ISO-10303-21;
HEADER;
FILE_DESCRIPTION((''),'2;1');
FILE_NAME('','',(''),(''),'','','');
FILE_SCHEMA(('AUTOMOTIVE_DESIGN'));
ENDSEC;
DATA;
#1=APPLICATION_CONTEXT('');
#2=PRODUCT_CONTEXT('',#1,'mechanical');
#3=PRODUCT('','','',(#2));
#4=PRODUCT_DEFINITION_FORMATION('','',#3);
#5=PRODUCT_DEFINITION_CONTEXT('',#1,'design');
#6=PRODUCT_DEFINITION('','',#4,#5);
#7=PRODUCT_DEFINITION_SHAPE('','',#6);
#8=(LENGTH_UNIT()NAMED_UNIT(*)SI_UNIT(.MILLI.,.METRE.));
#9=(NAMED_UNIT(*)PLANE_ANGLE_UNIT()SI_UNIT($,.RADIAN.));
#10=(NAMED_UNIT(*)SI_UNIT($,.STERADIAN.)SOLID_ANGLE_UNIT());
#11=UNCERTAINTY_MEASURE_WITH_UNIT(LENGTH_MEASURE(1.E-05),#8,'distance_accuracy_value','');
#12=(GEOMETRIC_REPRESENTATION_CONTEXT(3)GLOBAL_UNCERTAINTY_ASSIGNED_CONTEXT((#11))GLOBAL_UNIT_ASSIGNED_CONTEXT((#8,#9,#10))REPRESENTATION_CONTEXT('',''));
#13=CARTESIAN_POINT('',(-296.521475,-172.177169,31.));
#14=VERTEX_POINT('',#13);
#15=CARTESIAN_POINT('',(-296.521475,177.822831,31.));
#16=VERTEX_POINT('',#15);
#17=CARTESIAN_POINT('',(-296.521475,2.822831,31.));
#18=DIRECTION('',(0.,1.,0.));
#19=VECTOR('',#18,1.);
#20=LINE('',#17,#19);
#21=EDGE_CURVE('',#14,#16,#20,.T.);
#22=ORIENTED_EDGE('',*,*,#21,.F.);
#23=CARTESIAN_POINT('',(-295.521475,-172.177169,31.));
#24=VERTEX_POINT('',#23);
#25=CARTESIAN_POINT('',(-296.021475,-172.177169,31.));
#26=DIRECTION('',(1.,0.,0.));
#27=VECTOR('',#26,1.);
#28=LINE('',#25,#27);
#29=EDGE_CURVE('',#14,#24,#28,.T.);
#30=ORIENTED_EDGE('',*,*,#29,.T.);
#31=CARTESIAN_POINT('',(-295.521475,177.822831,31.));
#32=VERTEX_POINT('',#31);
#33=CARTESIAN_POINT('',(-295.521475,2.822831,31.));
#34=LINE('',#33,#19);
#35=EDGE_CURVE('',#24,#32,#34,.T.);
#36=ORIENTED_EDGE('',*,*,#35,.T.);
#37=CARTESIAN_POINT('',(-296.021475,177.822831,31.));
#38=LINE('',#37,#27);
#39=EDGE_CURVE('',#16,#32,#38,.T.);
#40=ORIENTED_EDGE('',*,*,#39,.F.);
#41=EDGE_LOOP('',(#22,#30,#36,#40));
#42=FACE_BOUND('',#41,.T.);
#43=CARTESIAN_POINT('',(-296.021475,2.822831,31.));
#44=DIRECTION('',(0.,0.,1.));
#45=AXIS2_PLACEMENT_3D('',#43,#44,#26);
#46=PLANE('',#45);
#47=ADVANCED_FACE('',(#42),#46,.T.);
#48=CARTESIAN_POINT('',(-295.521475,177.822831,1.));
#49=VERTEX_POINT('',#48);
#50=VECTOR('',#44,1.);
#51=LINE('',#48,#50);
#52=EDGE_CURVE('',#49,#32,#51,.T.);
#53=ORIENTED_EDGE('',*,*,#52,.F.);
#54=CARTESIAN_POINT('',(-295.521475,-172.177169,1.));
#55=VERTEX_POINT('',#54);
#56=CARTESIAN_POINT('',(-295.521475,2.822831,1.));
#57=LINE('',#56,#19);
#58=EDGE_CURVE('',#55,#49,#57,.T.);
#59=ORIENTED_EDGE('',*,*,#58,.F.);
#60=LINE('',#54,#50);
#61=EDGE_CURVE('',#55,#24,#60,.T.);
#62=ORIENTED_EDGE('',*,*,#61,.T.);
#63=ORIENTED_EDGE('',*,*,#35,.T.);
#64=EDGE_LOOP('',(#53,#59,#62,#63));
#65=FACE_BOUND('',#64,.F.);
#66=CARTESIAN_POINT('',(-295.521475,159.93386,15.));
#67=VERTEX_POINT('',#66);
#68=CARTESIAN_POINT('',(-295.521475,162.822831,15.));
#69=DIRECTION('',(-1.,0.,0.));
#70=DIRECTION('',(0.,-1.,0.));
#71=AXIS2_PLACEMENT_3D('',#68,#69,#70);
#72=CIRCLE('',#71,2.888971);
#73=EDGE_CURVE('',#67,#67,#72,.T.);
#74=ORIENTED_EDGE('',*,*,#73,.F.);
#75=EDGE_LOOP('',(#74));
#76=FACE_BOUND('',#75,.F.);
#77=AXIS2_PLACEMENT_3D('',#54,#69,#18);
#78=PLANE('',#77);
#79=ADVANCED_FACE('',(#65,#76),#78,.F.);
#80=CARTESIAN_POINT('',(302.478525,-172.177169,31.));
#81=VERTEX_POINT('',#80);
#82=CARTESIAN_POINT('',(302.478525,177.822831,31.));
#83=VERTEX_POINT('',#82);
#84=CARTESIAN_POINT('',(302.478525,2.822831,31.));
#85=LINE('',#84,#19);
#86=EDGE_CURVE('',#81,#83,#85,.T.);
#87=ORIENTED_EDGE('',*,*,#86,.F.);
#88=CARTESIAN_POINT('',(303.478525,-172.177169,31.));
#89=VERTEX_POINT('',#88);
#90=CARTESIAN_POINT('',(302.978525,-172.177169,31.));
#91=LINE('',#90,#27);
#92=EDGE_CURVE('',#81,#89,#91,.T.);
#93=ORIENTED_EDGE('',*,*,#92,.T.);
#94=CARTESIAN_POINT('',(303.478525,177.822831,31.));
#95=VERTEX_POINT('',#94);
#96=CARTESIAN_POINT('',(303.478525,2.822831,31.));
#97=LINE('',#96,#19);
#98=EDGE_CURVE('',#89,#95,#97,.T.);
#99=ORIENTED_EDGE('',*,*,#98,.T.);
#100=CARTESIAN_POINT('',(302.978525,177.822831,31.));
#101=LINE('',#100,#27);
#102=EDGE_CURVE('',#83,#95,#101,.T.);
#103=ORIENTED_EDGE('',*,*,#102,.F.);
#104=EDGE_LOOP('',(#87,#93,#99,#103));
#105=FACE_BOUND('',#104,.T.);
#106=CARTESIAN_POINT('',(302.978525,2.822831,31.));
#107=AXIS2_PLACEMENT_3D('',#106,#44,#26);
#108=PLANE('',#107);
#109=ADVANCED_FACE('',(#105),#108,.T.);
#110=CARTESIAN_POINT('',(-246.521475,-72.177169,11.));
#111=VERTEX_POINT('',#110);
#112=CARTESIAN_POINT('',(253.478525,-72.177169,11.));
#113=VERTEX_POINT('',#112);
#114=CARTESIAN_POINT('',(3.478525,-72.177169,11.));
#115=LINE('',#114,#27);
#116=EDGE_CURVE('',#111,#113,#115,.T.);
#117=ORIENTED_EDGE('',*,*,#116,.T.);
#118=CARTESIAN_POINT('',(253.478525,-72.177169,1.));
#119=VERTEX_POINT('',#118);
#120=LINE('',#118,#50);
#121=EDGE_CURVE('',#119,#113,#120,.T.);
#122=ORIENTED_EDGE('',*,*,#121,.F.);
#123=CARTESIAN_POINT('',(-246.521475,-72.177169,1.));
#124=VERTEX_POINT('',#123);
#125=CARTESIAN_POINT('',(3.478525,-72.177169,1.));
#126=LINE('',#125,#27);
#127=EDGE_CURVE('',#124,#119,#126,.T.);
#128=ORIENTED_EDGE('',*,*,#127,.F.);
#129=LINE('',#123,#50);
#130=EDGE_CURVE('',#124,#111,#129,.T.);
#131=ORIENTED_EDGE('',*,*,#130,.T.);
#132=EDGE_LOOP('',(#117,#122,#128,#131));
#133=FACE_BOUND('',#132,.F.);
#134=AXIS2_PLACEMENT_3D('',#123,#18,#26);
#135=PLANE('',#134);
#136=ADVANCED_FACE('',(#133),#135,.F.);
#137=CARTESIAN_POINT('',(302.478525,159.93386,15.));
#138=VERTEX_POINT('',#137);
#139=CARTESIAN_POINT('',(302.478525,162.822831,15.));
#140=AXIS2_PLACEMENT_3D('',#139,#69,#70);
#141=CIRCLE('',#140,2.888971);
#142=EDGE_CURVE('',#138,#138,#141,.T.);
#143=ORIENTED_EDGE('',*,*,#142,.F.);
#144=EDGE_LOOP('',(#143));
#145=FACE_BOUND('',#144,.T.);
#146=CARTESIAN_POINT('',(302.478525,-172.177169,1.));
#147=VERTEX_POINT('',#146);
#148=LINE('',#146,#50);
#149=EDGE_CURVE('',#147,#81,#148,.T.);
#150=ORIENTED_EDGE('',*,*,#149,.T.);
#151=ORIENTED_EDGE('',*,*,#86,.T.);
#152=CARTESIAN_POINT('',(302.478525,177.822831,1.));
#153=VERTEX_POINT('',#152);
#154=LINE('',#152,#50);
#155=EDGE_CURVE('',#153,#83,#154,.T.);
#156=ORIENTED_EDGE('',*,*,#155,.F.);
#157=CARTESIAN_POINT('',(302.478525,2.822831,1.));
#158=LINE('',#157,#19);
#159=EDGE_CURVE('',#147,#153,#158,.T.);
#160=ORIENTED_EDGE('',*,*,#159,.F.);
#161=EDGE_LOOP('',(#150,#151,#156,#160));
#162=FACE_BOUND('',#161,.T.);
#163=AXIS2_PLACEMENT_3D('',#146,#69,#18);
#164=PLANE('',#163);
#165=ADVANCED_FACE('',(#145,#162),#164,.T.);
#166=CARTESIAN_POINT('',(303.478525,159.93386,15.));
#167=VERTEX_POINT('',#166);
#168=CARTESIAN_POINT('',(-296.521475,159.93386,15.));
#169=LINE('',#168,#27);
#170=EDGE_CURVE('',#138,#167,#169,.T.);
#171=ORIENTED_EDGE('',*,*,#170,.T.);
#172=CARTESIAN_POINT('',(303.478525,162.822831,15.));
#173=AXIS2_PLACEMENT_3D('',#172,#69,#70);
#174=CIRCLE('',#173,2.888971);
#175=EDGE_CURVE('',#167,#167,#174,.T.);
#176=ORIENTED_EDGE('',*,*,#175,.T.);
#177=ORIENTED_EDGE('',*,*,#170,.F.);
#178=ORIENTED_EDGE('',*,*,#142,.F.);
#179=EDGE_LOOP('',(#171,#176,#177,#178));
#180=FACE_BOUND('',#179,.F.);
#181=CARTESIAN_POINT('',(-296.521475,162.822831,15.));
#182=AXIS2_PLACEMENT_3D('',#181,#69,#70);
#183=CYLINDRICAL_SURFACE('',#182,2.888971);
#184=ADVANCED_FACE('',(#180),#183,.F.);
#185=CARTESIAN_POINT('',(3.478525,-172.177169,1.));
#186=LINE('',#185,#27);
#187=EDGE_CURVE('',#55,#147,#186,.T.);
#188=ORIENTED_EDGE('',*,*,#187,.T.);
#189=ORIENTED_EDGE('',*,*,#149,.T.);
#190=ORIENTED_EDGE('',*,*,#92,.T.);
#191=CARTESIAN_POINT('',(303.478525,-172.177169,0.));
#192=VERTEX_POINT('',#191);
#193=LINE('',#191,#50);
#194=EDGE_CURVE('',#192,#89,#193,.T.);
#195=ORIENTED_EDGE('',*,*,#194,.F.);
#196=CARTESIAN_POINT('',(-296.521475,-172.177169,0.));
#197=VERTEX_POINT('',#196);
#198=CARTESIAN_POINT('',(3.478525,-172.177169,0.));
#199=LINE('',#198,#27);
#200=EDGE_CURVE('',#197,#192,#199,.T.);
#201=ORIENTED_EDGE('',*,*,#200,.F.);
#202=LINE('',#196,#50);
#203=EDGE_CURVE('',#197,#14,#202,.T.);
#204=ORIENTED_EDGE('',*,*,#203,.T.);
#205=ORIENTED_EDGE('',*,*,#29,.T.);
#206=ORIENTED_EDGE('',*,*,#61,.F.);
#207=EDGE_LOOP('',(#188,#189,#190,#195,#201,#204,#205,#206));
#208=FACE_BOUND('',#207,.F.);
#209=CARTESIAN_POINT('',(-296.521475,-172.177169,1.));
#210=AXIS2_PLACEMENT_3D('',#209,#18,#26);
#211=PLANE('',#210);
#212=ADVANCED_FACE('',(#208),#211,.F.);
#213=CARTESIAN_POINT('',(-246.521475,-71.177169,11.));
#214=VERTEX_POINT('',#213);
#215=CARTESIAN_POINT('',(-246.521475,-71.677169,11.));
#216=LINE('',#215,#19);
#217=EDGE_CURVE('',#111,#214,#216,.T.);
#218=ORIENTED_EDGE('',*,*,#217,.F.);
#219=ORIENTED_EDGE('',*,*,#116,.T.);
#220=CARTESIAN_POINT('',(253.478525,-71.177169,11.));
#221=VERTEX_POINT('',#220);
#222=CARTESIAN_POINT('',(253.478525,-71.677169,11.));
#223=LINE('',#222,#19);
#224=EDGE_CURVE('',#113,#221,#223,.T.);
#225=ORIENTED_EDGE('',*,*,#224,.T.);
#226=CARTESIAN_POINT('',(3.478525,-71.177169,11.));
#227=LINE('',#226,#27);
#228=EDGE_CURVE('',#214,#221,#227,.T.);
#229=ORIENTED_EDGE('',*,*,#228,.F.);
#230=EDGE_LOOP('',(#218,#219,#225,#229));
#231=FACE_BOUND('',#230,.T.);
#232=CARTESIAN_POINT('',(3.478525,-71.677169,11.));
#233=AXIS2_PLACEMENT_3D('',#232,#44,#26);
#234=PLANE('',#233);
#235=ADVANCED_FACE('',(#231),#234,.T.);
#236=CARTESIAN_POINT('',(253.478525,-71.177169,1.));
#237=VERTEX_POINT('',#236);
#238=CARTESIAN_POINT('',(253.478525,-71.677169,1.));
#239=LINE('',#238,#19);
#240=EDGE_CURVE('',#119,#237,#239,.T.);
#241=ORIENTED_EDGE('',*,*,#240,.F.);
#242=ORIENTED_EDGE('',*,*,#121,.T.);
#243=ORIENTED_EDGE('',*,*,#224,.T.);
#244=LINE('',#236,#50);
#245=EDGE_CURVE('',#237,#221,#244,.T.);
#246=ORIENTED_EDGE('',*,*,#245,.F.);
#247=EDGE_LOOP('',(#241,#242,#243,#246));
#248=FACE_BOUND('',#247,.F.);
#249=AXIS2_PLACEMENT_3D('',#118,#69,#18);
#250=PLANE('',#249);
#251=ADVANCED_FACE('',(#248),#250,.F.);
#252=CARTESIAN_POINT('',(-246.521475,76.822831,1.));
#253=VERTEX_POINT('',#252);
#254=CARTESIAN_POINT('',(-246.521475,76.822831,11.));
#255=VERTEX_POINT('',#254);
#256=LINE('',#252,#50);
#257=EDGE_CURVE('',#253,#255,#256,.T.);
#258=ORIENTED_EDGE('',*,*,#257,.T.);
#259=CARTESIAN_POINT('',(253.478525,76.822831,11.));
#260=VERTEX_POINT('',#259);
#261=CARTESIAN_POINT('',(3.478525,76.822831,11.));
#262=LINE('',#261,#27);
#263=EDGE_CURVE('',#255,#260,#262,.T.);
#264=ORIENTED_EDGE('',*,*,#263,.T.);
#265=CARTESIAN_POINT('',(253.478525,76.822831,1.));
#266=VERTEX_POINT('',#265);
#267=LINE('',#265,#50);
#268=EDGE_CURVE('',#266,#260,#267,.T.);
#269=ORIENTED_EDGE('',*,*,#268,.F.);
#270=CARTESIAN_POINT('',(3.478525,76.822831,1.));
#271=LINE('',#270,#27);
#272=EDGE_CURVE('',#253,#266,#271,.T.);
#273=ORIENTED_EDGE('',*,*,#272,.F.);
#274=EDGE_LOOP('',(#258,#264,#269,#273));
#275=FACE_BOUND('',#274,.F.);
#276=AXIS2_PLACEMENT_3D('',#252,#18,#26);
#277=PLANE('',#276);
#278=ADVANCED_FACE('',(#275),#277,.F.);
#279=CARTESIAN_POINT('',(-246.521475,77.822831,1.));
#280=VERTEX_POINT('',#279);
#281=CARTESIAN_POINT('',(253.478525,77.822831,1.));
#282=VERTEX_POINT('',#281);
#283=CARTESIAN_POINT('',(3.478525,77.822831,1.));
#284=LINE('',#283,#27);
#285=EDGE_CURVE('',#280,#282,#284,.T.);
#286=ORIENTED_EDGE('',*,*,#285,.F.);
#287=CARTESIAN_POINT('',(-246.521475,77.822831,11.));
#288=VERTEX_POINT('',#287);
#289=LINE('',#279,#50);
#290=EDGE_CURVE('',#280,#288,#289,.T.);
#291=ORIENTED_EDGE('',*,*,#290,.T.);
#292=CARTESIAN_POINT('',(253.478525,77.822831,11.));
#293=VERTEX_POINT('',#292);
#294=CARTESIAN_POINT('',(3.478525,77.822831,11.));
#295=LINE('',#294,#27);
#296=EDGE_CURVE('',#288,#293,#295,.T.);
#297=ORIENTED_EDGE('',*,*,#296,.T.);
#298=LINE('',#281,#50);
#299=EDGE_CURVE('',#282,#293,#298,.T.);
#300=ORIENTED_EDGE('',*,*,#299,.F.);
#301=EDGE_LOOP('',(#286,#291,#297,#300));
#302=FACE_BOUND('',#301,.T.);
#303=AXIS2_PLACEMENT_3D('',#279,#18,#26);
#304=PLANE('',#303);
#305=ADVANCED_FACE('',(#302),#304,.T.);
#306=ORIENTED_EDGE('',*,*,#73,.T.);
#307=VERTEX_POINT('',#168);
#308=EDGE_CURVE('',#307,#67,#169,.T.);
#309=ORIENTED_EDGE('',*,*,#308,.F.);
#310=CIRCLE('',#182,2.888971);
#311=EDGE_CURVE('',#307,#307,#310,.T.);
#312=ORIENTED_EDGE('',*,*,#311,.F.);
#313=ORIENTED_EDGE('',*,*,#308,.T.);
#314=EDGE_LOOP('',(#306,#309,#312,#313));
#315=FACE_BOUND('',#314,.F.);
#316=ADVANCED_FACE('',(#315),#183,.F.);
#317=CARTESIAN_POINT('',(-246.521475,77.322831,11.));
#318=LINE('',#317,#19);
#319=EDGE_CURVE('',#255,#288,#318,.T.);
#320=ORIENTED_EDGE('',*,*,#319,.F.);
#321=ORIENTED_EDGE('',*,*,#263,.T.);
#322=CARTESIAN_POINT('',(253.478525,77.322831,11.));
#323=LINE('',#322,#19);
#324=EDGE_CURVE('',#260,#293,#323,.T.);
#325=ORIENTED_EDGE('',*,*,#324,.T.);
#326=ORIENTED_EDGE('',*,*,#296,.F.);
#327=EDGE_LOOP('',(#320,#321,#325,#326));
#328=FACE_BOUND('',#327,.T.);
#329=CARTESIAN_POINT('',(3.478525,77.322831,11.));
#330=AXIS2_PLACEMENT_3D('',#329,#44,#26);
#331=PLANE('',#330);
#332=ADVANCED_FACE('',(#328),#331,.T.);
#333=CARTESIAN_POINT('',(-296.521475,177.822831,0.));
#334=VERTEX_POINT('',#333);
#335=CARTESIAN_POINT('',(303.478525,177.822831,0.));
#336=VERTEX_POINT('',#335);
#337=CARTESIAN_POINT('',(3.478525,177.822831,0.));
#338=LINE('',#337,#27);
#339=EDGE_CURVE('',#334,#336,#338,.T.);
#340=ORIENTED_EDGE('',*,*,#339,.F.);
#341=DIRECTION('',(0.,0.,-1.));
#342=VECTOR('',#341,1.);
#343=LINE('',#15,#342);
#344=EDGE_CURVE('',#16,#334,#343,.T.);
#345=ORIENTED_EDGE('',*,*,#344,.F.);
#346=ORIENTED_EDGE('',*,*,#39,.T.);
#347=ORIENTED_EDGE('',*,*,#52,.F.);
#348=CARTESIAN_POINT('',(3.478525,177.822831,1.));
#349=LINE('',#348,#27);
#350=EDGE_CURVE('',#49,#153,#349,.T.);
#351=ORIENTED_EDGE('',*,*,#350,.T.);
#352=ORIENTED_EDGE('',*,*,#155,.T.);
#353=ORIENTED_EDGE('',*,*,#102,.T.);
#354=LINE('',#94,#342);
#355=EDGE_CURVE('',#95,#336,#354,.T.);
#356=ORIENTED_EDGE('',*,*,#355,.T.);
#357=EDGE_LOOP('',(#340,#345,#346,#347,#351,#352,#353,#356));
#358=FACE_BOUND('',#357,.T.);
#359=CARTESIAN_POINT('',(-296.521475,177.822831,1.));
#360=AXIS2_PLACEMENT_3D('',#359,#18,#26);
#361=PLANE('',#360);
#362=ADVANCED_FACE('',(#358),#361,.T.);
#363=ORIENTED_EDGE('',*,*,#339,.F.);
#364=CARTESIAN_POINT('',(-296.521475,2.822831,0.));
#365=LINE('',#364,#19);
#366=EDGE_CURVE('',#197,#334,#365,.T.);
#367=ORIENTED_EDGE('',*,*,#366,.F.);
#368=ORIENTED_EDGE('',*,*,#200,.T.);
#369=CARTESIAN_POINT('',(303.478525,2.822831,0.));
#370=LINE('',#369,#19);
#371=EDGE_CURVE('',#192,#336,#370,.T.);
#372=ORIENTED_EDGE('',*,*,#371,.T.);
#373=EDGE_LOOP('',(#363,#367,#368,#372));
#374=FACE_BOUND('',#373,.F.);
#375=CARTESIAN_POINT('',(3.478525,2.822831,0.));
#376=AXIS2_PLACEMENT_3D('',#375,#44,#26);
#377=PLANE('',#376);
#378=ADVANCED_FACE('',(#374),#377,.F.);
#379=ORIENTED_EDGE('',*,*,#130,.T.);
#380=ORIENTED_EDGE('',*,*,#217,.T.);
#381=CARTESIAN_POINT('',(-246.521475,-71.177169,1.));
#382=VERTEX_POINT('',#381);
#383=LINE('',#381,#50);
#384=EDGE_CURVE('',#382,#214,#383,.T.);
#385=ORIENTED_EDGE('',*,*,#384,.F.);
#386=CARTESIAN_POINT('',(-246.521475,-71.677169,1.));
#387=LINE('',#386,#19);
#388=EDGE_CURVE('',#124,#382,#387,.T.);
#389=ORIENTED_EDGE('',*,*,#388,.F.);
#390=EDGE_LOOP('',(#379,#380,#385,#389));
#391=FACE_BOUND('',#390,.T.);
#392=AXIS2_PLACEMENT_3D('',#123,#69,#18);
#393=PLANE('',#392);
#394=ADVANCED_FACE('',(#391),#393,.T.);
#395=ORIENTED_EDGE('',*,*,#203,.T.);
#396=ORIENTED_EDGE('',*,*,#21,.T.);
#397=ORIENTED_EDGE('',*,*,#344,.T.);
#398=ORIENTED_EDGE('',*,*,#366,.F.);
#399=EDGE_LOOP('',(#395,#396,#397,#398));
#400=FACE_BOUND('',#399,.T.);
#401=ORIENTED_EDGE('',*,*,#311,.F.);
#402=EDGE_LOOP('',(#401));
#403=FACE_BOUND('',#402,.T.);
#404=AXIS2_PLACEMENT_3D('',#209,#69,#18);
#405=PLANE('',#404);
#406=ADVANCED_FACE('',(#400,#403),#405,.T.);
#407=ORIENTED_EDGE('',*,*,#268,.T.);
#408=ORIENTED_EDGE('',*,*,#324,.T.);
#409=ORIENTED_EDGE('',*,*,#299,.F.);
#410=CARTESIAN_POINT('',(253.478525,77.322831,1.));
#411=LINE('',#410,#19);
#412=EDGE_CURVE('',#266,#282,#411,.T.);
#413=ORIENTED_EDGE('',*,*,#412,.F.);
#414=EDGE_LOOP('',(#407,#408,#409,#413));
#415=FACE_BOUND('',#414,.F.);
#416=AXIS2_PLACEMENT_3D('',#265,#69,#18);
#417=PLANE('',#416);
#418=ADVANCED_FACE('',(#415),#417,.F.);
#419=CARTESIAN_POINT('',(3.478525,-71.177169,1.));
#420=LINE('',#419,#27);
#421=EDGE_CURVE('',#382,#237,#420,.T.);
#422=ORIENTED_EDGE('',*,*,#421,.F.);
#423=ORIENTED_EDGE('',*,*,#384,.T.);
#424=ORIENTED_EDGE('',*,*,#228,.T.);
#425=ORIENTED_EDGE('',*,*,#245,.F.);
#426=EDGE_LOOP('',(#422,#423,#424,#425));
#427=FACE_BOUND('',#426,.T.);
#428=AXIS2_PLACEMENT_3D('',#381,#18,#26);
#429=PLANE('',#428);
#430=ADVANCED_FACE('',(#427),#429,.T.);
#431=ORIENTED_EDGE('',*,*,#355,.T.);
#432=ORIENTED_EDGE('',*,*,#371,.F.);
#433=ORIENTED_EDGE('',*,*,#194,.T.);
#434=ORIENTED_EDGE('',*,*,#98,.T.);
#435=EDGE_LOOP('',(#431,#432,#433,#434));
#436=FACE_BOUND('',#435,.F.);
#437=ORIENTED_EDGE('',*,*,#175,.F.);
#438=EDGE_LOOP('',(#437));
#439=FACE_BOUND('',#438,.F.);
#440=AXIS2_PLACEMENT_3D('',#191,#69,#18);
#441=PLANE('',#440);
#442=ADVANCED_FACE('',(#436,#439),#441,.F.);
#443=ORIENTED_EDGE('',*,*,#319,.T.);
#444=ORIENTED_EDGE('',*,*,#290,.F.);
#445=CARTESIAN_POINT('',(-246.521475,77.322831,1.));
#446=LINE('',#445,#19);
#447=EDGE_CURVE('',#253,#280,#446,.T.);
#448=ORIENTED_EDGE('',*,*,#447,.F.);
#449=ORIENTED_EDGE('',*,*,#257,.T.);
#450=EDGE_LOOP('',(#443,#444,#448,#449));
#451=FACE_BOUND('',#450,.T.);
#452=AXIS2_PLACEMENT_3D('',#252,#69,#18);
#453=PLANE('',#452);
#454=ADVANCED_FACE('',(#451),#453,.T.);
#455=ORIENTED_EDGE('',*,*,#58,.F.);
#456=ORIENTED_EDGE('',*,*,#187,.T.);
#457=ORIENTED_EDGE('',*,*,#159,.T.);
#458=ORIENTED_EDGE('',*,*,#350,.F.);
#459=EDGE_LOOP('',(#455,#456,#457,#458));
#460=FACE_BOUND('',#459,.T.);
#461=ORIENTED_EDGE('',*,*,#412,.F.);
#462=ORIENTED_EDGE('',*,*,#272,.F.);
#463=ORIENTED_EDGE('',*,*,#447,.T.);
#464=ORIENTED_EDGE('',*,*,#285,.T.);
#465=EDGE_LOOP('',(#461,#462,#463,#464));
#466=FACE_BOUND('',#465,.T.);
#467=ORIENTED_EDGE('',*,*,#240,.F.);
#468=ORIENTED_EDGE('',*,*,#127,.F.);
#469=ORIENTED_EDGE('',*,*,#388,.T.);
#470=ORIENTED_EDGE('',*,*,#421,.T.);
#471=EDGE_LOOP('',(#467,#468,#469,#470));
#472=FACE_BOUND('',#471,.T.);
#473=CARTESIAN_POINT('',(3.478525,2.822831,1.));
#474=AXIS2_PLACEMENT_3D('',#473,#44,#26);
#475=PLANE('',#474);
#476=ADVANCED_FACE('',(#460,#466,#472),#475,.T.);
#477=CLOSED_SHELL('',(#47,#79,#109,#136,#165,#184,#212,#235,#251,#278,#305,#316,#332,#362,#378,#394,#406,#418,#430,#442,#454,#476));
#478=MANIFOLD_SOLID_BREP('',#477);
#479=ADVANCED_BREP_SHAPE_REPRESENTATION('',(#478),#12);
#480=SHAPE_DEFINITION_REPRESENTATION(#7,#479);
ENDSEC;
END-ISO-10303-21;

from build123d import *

# Parameters (mm, degrees)
F0_W     = 600
F0_H     = 350
F1_DEPTH = 1
F2_W     = 1
F2_H     = 350
F3_DEPTH = 30
F4_R     = 2.888971
F5_DEPTH = 735
F6_W     = 500
F6_H     = 1
F7_DEPTH = 10


with BuildPart() as f1:
    # F0 (on Top) → F1 (new body)
    with BuildSketch(Plane.XY):
        with Locations((3.478525, 2.822831)):
            Rectangle(F0_W, F0_H)
    extrude(amount=F1_DEPTH)

    # F2 (on face) → F3 (join)
    with BuildSketch(Plane.XY.offset(1)):
        with Locations((-296.021475, 2.822831)):
            Rectangle(F2_W, F2_H)
        with Locations((302.978525, 2.822831)):
            Rectangle(F2_W, F2_H)
    extrude(amount=F3_DEPTH)

    # F4 (on face) → F5 (cut)
    with BuildSketch(Plane(origin=(-296.521475, 0, 0), x_dir=(0, -1, 0), z_dir=(-1, 0, 0))):
        with Locations((-162.822831, 15)):
            Circle(F4_R)
    extrude(amount=-F5_DEPTH, mode=Mode.SUBTRACT)

    # F6 (on face) → F7 (join)
    with BuildSketch(Plane.XY.offset(1)):
        with Locations((3.478525, 77.322831)):
            Rectangle(F6_W, F6_H)
        with Locations((3.478525, -71.677169)):
            Rectangle(F6_W, F6_H)
    extrude(amount=F7_DEPTH)


solid = f1.part
